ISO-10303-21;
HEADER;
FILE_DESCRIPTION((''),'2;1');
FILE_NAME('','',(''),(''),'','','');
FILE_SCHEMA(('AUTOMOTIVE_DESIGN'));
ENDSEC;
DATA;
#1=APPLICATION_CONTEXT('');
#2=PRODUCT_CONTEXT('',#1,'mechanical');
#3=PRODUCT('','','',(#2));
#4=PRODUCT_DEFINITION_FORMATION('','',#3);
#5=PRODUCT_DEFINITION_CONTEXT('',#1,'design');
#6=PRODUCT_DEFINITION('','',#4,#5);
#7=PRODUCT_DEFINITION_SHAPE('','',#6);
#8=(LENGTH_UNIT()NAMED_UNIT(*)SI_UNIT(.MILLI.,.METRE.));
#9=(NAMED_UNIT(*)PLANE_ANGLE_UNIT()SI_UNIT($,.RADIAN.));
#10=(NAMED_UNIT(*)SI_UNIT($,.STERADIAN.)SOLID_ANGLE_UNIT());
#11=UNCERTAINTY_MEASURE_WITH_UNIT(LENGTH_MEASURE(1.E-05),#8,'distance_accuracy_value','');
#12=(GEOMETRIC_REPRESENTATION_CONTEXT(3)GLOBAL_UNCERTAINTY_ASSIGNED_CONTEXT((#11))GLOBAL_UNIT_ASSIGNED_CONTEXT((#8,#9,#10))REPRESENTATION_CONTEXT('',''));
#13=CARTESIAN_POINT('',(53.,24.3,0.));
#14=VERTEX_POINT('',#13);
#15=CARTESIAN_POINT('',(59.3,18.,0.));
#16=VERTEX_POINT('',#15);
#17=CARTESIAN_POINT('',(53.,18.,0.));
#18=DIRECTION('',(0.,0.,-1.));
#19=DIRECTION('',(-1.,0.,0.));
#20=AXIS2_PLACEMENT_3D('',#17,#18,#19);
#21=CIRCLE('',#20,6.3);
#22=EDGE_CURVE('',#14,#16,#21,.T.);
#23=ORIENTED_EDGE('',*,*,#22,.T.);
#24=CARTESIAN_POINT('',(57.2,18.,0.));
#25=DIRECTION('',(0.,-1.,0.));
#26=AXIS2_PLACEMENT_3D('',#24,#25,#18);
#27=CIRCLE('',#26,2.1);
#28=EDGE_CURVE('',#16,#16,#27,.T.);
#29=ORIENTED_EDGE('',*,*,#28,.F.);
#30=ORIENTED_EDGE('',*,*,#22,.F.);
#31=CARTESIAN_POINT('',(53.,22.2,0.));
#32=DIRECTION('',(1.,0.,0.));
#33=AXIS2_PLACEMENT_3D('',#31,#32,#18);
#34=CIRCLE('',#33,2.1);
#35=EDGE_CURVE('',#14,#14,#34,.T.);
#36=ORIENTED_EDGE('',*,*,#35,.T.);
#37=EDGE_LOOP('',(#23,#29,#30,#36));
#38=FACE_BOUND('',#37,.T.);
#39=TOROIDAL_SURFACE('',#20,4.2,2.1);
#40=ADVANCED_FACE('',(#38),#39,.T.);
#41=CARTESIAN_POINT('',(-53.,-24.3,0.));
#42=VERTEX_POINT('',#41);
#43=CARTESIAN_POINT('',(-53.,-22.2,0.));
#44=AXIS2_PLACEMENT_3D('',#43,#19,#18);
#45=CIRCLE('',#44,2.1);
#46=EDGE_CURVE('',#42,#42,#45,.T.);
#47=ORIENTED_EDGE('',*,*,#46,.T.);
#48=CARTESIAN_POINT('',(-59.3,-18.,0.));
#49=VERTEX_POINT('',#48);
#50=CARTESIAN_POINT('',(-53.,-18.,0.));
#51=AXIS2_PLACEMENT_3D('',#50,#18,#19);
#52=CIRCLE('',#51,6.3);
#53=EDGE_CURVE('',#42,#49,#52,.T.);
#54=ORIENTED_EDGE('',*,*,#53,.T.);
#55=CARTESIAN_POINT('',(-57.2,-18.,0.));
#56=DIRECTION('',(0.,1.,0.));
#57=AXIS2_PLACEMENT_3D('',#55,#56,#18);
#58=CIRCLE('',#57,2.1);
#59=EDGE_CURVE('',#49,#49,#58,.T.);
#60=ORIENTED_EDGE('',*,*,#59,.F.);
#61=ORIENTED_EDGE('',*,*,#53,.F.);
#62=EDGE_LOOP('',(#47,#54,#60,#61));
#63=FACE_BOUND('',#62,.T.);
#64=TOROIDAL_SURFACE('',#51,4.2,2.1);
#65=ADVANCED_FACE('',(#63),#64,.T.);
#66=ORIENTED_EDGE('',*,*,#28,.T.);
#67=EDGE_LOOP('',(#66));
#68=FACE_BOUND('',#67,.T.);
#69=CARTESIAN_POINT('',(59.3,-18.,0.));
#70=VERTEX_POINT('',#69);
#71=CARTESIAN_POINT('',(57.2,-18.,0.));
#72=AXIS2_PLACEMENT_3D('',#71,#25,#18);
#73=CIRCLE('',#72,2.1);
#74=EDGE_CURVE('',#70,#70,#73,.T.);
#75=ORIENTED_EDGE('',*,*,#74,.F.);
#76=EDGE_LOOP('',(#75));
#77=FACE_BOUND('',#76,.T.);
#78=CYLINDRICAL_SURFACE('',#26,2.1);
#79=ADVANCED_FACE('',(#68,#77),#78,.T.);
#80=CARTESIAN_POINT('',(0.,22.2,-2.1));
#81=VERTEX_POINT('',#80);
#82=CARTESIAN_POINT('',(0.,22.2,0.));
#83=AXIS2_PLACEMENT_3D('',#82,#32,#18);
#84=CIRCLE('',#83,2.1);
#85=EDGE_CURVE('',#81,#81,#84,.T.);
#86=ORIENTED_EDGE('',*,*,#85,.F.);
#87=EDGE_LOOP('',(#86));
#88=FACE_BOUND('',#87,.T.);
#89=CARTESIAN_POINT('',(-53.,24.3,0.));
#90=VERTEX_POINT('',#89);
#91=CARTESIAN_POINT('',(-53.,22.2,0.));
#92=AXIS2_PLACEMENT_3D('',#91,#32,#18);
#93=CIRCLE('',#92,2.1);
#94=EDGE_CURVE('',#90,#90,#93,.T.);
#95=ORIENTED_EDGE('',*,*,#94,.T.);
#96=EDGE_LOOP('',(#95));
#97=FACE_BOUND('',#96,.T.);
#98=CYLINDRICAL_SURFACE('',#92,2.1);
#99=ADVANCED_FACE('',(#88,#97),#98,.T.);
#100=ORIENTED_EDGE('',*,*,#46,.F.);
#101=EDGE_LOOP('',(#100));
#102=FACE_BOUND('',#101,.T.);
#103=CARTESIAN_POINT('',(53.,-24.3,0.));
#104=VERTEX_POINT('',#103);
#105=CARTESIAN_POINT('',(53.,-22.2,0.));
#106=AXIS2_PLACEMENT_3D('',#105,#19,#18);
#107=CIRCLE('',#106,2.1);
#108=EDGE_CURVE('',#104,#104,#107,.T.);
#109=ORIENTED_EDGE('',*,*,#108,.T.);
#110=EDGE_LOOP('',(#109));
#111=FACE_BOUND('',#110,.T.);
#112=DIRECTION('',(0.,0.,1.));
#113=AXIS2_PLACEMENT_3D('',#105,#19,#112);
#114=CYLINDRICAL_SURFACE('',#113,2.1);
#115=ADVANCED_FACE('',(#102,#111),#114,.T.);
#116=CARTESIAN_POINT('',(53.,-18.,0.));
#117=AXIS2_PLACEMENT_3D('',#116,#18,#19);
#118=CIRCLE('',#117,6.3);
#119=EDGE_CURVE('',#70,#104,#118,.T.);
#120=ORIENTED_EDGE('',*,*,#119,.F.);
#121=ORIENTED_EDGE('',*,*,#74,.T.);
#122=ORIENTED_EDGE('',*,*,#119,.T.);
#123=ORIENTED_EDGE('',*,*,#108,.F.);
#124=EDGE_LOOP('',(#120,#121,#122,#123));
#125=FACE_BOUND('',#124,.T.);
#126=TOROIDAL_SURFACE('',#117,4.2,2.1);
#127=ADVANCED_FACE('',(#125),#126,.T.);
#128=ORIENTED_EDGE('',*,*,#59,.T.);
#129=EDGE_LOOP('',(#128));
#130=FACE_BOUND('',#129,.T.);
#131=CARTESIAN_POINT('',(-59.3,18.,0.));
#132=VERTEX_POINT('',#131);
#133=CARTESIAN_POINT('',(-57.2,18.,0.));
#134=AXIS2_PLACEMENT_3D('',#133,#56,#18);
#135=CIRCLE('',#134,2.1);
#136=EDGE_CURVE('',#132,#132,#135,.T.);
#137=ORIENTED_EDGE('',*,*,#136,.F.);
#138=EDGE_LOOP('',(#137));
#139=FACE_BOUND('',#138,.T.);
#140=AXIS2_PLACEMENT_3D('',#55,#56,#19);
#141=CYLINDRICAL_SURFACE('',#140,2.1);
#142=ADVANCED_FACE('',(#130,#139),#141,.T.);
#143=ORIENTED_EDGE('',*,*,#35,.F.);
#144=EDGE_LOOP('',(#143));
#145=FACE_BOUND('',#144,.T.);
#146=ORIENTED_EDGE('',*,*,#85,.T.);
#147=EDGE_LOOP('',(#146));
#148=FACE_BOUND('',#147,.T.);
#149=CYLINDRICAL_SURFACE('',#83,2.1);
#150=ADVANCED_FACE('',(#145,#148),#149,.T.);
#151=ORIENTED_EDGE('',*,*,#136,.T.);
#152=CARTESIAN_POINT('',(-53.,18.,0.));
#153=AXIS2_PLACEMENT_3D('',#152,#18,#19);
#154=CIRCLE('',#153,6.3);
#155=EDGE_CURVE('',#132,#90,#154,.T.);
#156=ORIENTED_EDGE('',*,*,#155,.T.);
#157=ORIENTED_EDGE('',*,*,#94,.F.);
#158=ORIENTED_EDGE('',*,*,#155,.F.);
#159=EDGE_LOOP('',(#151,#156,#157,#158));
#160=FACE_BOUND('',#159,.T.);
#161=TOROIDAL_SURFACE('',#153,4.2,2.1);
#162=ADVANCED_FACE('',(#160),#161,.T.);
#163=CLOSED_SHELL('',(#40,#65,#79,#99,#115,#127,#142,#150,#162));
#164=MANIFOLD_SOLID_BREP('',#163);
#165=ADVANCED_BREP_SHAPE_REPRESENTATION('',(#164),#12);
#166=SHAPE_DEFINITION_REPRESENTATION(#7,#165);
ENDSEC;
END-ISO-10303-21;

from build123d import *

# Parameters (mm, degrees)
ESBO_O2_R = 2.1


with BuildPart() as part:
    # Varredura1: sweep along a path in Esboço1
    with BuildLine(Plane.XY) as varredura1_path:
        Line((53, 22.2), (-53, 22.2))
        ThreePointArc((-53, 22.2), (-55.969848481, 20.969848481), (-57.2, 18))
        Line((-57.2, 18), (-57.2, -18))
        ThreePointArc((-57.2, -18), (-55.969848481, -20.969848481), (-53, -22.2))
        Line((-53, -22.2), (53, -22.2))
        ThreePointArc((53, -22.2), (55.969848481, -20.969848481), (57.2, -18))
        Line((57.2, -18), (57.2, 18))
        ThreePointArc((57.2, 18), (55.969848481, 20.969848481), (53, 22.2))
    # Esboço2 → Varredura1 (sweep)
    with BuildSketch(Plane(origin=(0, 0, 0), x_dir=(0, 0, -1), z_dir=(1, 0, 0))):
        with Locations((0, 22.2)):
            Circle(ESBO_O2_R)
    sweep(path=varredura1_path.line)


solid = part.part
